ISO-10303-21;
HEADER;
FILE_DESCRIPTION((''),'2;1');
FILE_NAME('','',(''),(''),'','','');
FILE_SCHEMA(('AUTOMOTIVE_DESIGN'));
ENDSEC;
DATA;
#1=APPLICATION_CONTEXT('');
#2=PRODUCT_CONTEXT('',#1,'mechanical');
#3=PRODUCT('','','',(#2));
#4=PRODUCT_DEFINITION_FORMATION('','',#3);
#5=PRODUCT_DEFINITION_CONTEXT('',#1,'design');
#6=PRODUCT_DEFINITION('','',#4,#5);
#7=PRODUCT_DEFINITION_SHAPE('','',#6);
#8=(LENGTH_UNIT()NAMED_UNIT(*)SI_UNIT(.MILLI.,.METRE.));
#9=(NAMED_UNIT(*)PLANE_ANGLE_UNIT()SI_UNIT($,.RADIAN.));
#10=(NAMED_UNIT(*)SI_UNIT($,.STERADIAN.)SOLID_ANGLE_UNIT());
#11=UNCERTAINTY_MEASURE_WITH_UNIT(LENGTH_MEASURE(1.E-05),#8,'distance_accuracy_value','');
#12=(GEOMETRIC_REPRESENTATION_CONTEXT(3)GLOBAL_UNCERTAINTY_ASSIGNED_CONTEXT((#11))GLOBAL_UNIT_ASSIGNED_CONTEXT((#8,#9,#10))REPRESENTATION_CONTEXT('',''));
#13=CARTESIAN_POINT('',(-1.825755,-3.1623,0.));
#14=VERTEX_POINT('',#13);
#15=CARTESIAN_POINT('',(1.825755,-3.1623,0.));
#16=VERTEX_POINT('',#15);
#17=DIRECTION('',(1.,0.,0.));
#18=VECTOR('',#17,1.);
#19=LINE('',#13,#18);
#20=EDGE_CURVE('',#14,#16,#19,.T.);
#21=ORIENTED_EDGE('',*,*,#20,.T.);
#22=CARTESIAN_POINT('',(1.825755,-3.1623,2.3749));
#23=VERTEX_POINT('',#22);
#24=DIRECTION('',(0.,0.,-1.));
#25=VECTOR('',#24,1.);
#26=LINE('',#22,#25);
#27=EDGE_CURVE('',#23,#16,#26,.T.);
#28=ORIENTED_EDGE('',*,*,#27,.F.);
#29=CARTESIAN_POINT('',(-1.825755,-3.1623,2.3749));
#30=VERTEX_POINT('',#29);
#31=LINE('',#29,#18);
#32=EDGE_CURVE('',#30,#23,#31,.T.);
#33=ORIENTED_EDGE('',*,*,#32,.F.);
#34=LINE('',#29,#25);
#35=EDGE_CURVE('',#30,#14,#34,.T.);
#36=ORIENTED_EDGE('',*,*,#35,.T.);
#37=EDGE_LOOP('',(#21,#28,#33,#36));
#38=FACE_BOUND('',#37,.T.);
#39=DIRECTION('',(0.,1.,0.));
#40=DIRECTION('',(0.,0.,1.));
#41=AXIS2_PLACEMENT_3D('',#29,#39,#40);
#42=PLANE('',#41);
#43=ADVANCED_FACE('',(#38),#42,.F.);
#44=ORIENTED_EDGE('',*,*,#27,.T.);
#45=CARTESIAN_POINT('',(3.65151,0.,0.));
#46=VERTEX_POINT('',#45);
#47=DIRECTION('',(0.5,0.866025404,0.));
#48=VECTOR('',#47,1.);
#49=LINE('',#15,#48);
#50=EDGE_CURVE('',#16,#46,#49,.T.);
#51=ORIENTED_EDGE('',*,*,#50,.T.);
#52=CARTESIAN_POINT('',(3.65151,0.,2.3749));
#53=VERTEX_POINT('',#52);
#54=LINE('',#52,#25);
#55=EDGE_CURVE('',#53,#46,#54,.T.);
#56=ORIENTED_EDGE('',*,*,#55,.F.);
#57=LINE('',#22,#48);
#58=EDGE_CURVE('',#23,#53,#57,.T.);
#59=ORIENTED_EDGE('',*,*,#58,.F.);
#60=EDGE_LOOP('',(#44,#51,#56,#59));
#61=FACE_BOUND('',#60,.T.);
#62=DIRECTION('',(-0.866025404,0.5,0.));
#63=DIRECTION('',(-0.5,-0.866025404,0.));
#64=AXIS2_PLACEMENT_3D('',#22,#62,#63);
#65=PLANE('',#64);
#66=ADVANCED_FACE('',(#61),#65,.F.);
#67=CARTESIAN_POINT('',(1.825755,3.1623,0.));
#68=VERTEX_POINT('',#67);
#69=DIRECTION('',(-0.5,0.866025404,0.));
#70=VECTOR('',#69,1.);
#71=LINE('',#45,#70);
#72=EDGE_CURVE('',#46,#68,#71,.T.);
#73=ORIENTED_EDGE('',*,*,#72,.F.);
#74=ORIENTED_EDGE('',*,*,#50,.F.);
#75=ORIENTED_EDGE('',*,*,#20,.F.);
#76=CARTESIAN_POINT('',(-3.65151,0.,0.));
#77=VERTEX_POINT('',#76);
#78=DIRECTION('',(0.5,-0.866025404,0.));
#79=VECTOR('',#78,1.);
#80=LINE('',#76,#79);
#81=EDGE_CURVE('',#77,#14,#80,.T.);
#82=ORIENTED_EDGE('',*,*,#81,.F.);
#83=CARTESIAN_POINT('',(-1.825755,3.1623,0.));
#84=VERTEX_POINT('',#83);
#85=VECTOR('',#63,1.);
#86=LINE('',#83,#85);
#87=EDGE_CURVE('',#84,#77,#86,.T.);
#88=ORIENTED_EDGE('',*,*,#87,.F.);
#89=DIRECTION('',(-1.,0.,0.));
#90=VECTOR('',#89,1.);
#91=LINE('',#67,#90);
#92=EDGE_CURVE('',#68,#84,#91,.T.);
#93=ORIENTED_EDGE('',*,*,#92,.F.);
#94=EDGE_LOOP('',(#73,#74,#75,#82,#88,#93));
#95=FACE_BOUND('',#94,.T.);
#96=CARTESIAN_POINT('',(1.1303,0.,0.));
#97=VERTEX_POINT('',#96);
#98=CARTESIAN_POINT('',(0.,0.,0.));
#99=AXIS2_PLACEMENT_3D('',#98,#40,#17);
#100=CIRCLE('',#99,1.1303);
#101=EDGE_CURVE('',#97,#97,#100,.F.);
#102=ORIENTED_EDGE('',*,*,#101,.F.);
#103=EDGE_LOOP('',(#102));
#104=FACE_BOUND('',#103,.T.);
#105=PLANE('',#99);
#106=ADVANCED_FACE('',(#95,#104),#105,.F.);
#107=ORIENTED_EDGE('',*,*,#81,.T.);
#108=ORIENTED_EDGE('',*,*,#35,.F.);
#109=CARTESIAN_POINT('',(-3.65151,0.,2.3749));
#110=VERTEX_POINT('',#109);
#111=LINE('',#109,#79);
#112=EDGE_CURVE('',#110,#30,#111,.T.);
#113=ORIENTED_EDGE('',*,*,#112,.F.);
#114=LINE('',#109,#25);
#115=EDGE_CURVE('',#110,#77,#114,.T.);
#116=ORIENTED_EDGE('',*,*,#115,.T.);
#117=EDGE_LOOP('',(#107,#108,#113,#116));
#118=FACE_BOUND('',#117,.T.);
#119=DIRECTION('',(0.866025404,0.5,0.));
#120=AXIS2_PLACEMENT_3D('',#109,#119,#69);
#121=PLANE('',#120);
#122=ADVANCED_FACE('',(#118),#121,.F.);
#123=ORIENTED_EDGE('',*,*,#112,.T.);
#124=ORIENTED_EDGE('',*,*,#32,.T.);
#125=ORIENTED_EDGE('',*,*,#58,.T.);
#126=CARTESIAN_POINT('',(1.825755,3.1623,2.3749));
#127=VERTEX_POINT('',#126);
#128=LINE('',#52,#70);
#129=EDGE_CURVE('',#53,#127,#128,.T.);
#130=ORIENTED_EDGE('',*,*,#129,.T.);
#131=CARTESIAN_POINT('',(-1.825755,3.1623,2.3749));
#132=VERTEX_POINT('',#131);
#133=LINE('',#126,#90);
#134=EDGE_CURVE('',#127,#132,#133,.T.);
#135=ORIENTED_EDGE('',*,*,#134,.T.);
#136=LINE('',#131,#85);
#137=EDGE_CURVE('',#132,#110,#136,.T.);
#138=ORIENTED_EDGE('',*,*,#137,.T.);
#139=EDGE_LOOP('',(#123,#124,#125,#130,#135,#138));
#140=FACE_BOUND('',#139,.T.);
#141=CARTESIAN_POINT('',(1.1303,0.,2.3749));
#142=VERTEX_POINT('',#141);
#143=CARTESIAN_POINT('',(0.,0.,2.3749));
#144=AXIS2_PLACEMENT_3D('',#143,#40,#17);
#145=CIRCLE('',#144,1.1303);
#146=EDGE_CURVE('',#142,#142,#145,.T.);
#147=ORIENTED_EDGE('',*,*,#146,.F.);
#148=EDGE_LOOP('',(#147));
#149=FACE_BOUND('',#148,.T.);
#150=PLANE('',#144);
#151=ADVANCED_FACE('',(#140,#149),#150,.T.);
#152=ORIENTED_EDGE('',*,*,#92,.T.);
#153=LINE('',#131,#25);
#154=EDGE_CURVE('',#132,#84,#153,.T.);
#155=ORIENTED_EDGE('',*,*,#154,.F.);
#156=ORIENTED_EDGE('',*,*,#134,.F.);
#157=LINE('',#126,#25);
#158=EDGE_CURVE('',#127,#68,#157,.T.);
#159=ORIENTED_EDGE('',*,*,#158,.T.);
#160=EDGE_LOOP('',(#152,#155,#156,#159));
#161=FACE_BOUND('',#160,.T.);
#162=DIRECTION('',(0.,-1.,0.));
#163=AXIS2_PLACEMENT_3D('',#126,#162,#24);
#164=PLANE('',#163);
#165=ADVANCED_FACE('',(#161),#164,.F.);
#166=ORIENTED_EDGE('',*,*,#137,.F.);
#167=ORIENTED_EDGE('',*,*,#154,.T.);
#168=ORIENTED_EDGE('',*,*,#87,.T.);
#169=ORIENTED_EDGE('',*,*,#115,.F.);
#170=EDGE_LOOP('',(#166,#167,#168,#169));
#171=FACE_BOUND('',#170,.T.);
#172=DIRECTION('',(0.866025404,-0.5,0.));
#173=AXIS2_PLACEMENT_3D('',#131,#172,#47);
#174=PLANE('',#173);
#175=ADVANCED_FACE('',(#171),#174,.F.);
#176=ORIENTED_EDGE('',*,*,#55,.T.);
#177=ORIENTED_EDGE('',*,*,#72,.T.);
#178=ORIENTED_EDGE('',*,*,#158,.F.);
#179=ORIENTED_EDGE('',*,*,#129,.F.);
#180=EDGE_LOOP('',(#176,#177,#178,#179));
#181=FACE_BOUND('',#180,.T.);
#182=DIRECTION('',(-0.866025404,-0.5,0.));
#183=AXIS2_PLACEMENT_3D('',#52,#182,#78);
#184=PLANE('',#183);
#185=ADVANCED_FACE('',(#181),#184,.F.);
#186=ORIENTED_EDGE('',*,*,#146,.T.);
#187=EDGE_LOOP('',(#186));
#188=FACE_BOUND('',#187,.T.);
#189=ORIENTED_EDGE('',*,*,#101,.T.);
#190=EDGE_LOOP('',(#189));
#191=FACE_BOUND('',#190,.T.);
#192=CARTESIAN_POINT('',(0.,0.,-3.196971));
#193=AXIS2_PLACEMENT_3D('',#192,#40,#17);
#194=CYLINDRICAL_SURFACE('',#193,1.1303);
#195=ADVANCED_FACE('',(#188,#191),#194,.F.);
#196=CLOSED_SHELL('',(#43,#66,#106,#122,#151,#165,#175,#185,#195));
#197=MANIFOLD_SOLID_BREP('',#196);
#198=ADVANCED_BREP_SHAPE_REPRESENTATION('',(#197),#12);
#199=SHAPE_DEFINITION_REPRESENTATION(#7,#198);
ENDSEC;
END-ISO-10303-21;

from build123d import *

# Parameters (mm, degrees)
BOSS_EXTRUDE1_DEPTH = 2.3749
SKETCH2_R           = 1.1303
CUT_EXTRUDE1_DEPTH  = 2.3749


with BuildPart() as part:
    # Sketch1 → Boss-Extrude1 (new body)
    with BuildSketch(Plane.XY):
        Polygon((3.651509513, 0), (1.825754756, 3.1623), (-1.825754756, 3.1623), (-3.651509513, 0), (-1.825754756, -3.1623), (1.825754756, -3.1623), align=None)
    extrude(amount=BOSS_EXTRUDE1_DEPTH)

    # Sketch2 → Cut-Extrude1 (cut)
    with BuildSketch(Plane.XY.offset(2.3749)):
        Circle(SKETCH2_R)
    extrude(amount=-CUT_EXTRUDE1_DEPTH, mode=Mode.SUBTRACT)


solid = part.part
